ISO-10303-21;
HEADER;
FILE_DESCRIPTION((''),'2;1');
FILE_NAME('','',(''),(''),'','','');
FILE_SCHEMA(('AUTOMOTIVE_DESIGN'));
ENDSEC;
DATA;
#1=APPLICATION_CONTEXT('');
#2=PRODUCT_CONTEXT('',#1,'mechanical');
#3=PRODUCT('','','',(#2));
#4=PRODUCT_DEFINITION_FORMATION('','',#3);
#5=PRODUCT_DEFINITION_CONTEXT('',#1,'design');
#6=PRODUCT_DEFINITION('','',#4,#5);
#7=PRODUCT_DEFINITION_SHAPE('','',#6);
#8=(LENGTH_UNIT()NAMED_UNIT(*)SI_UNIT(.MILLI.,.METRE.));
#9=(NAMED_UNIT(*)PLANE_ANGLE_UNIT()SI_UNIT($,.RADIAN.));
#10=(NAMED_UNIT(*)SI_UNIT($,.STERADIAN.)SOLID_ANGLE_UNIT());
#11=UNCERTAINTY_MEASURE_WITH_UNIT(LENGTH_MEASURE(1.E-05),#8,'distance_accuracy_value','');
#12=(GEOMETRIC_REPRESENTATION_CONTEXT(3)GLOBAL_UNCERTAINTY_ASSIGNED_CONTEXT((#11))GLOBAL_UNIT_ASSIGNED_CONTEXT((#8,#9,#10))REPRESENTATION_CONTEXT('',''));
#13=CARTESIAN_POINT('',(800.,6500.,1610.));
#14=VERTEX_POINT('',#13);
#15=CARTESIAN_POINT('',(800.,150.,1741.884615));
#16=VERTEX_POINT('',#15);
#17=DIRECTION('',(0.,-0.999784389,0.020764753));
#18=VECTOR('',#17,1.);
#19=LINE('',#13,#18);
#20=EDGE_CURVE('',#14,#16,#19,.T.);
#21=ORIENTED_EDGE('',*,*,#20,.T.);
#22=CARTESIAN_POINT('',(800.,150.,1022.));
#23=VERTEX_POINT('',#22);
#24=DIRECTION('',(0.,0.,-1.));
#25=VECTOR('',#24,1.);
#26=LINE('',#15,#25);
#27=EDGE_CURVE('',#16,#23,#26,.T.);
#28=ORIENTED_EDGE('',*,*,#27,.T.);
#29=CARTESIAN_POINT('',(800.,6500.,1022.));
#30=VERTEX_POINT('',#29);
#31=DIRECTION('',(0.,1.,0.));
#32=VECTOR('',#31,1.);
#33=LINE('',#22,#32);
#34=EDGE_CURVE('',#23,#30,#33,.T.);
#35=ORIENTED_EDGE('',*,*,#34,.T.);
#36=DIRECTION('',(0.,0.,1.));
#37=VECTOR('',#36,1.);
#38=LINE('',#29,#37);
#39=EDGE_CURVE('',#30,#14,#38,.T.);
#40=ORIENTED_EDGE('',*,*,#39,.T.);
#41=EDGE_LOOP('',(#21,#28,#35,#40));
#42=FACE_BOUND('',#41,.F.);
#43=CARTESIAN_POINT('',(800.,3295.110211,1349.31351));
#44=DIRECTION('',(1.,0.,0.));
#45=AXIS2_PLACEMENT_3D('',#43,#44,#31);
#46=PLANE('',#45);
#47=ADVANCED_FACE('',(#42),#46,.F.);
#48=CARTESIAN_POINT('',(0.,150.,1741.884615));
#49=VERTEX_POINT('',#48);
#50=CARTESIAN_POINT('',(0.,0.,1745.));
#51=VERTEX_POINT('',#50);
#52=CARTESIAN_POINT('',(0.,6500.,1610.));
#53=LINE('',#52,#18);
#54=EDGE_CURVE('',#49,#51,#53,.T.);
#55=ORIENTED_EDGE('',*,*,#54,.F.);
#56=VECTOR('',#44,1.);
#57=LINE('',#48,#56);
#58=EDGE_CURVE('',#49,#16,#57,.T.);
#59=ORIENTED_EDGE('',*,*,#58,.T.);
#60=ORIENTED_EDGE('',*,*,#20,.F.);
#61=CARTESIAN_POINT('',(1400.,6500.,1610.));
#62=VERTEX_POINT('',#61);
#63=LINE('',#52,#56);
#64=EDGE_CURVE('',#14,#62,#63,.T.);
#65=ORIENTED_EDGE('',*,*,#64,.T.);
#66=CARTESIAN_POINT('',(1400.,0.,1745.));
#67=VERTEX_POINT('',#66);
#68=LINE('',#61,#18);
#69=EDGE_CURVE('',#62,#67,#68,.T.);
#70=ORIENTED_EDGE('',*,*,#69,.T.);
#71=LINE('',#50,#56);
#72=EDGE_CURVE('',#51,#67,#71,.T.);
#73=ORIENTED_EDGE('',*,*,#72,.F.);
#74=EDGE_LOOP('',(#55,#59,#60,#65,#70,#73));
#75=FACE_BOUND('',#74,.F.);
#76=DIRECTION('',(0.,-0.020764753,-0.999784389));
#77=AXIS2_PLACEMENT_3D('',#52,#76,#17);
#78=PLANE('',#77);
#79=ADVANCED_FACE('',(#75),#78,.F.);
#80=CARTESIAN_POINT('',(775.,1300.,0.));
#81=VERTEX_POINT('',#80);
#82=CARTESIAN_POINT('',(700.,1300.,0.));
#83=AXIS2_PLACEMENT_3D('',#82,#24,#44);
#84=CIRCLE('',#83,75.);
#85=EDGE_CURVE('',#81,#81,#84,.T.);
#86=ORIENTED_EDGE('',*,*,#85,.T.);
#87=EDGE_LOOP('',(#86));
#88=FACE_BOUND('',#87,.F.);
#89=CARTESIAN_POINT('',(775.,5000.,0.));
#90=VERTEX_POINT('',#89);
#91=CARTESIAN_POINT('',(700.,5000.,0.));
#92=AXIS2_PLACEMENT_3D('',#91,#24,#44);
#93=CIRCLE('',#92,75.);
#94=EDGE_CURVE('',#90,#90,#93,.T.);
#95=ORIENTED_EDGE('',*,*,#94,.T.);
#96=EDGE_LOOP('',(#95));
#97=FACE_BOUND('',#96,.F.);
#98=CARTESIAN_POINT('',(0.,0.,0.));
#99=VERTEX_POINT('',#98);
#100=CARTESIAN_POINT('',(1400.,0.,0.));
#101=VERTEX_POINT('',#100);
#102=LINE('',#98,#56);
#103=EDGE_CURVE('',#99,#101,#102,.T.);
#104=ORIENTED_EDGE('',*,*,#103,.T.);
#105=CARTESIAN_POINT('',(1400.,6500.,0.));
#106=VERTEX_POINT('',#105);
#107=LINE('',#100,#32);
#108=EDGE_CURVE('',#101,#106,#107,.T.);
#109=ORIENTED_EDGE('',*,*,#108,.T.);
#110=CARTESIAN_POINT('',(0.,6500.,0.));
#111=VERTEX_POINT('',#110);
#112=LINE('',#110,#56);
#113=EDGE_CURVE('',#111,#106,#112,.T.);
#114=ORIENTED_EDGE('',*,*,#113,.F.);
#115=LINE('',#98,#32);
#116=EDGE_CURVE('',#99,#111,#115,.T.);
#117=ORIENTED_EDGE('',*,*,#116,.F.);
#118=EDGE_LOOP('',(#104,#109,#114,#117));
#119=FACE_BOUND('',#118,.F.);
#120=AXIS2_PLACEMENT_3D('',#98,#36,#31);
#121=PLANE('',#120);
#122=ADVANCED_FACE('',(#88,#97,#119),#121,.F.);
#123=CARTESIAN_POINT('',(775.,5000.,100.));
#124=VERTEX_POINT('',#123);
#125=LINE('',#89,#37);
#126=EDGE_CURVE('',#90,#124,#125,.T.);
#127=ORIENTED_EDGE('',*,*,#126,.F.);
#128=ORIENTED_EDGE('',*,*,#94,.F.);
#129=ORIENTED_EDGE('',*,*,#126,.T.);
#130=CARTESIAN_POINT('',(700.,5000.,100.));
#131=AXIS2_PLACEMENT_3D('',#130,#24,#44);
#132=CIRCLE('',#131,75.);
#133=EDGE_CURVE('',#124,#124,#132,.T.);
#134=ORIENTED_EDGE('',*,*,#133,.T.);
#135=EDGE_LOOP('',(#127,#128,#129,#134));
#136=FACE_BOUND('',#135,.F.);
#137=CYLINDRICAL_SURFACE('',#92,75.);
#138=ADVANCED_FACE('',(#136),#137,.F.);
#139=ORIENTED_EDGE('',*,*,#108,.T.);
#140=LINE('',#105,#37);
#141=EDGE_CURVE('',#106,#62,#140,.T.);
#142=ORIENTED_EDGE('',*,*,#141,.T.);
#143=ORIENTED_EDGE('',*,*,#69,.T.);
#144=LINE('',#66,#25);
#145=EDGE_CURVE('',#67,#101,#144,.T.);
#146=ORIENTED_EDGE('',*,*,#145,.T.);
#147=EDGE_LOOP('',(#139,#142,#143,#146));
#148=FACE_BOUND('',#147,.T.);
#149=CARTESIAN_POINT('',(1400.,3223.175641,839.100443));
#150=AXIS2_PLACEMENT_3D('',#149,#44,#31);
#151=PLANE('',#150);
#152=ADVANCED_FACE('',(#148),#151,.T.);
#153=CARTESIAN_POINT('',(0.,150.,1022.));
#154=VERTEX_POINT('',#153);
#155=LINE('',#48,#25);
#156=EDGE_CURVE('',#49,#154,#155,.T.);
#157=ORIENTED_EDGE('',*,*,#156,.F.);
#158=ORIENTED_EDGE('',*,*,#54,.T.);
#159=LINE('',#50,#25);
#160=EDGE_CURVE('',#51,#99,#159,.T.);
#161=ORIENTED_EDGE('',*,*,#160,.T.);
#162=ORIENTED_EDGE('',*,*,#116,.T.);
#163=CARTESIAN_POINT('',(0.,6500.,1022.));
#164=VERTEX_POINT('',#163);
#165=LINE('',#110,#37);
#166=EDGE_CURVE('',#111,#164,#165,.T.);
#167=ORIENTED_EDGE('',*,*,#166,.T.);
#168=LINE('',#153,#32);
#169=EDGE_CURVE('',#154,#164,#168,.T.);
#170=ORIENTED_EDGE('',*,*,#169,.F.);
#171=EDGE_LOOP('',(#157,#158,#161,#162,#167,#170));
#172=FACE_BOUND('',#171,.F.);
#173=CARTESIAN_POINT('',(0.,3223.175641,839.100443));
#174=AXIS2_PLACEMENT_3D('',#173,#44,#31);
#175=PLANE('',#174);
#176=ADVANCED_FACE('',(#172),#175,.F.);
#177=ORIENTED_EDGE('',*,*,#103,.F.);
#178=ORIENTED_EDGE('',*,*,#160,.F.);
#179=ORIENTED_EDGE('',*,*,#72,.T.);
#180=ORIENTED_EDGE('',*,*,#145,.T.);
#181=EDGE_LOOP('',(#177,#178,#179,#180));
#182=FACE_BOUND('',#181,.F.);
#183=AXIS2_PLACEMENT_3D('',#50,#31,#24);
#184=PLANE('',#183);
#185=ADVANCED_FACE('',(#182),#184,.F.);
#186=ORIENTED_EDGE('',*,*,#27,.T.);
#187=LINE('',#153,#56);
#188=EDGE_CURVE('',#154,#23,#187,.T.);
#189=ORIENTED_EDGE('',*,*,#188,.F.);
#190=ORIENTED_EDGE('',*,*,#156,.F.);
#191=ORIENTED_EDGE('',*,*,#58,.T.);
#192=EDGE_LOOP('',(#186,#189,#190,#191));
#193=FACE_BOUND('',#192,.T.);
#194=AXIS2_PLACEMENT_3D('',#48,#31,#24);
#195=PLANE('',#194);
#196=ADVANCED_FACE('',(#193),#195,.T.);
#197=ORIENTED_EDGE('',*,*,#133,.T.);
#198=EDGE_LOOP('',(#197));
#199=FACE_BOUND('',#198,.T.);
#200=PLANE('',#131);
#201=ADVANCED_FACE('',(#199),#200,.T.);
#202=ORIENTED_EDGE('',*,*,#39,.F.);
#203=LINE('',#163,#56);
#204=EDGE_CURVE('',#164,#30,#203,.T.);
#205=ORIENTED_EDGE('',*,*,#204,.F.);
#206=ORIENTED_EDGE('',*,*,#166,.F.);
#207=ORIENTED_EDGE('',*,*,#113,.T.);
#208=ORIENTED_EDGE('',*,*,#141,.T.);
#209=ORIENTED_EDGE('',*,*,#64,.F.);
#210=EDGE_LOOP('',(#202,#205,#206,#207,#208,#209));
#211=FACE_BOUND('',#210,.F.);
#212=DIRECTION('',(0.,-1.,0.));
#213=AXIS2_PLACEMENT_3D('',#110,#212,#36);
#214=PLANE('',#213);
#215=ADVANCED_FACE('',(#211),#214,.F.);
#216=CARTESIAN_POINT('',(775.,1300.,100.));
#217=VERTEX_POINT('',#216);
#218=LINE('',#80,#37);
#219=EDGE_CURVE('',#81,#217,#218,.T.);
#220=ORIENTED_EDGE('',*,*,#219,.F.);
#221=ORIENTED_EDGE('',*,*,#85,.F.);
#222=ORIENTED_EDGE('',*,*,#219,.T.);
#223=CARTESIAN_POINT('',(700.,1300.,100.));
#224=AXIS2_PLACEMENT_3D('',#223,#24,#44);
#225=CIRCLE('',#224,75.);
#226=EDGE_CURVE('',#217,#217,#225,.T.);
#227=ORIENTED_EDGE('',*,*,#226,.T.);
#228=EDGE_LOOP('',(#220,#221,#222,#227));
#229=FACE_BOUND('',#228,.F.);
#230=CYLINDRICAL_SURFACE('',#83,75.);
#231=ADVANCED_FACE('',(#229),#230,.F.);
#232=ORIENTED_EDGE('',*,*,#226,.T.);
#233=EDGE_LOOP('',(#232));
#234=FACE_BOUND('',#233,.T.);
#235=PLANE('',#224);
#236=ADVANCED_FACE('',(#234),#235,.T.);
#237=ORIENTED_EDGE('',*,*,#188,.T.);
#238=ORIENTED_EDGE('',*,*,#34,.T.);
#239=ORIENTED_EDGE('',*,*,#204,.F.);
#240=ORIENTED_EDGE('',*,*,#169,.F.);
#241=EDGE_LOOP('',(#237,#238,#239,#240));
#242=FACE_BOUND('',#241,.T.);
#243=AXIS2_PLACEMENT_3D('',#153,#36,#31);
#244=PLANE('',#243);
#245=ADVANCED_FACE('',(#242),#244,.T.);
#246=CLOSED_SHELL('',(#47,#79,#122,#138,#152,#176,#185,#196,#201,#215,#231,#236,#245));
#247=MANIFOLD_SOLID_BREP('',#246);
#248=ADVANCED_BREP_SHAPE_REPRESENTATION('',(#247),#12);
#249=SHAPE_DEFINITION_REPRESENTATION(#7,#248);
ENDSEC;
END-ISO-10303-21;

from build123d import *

# Parameters (mm, degrees)
F1_DEPTH = 1400
F3_DEPTH = 800
F4_R     = 75
F5_DEPTH = 100


with BuildPart() as f1:
    # F0 (on Right) → F1 (new body)
    with BuildSketch(Plane.YZ):
        Polygon((0, 1745), (0, 0), (6500, 0), (6500, 1610), align=None)
    extrude(amount=F1_DEPTH)

    # F2 (on Right) → F3 (cut)
    with BuildSketch(Plane.YZ):
        Polygon((150, 1022), (6500, 1022), (6500, 1610), (150, 1741.8846153846), align=None)
    extrude(amount=F3_DEPTH, mode=Mode.SUBTRACT)

    # F4 (on face) → F5 (cut)
    with BuildSketch(Plane(origin=(0, 0, 0), x_dir=(1, 0, 0), z_dir=(0, 0, -1))):
        with Locations((700, -1300)):
            Circle(F4_R)
        with Locations((700, -5000)):
            Circle(F4_R)
    extrude(amount=-F5_DEPTH, mode=Mode.SUBTRACT)


solid = f1.part
